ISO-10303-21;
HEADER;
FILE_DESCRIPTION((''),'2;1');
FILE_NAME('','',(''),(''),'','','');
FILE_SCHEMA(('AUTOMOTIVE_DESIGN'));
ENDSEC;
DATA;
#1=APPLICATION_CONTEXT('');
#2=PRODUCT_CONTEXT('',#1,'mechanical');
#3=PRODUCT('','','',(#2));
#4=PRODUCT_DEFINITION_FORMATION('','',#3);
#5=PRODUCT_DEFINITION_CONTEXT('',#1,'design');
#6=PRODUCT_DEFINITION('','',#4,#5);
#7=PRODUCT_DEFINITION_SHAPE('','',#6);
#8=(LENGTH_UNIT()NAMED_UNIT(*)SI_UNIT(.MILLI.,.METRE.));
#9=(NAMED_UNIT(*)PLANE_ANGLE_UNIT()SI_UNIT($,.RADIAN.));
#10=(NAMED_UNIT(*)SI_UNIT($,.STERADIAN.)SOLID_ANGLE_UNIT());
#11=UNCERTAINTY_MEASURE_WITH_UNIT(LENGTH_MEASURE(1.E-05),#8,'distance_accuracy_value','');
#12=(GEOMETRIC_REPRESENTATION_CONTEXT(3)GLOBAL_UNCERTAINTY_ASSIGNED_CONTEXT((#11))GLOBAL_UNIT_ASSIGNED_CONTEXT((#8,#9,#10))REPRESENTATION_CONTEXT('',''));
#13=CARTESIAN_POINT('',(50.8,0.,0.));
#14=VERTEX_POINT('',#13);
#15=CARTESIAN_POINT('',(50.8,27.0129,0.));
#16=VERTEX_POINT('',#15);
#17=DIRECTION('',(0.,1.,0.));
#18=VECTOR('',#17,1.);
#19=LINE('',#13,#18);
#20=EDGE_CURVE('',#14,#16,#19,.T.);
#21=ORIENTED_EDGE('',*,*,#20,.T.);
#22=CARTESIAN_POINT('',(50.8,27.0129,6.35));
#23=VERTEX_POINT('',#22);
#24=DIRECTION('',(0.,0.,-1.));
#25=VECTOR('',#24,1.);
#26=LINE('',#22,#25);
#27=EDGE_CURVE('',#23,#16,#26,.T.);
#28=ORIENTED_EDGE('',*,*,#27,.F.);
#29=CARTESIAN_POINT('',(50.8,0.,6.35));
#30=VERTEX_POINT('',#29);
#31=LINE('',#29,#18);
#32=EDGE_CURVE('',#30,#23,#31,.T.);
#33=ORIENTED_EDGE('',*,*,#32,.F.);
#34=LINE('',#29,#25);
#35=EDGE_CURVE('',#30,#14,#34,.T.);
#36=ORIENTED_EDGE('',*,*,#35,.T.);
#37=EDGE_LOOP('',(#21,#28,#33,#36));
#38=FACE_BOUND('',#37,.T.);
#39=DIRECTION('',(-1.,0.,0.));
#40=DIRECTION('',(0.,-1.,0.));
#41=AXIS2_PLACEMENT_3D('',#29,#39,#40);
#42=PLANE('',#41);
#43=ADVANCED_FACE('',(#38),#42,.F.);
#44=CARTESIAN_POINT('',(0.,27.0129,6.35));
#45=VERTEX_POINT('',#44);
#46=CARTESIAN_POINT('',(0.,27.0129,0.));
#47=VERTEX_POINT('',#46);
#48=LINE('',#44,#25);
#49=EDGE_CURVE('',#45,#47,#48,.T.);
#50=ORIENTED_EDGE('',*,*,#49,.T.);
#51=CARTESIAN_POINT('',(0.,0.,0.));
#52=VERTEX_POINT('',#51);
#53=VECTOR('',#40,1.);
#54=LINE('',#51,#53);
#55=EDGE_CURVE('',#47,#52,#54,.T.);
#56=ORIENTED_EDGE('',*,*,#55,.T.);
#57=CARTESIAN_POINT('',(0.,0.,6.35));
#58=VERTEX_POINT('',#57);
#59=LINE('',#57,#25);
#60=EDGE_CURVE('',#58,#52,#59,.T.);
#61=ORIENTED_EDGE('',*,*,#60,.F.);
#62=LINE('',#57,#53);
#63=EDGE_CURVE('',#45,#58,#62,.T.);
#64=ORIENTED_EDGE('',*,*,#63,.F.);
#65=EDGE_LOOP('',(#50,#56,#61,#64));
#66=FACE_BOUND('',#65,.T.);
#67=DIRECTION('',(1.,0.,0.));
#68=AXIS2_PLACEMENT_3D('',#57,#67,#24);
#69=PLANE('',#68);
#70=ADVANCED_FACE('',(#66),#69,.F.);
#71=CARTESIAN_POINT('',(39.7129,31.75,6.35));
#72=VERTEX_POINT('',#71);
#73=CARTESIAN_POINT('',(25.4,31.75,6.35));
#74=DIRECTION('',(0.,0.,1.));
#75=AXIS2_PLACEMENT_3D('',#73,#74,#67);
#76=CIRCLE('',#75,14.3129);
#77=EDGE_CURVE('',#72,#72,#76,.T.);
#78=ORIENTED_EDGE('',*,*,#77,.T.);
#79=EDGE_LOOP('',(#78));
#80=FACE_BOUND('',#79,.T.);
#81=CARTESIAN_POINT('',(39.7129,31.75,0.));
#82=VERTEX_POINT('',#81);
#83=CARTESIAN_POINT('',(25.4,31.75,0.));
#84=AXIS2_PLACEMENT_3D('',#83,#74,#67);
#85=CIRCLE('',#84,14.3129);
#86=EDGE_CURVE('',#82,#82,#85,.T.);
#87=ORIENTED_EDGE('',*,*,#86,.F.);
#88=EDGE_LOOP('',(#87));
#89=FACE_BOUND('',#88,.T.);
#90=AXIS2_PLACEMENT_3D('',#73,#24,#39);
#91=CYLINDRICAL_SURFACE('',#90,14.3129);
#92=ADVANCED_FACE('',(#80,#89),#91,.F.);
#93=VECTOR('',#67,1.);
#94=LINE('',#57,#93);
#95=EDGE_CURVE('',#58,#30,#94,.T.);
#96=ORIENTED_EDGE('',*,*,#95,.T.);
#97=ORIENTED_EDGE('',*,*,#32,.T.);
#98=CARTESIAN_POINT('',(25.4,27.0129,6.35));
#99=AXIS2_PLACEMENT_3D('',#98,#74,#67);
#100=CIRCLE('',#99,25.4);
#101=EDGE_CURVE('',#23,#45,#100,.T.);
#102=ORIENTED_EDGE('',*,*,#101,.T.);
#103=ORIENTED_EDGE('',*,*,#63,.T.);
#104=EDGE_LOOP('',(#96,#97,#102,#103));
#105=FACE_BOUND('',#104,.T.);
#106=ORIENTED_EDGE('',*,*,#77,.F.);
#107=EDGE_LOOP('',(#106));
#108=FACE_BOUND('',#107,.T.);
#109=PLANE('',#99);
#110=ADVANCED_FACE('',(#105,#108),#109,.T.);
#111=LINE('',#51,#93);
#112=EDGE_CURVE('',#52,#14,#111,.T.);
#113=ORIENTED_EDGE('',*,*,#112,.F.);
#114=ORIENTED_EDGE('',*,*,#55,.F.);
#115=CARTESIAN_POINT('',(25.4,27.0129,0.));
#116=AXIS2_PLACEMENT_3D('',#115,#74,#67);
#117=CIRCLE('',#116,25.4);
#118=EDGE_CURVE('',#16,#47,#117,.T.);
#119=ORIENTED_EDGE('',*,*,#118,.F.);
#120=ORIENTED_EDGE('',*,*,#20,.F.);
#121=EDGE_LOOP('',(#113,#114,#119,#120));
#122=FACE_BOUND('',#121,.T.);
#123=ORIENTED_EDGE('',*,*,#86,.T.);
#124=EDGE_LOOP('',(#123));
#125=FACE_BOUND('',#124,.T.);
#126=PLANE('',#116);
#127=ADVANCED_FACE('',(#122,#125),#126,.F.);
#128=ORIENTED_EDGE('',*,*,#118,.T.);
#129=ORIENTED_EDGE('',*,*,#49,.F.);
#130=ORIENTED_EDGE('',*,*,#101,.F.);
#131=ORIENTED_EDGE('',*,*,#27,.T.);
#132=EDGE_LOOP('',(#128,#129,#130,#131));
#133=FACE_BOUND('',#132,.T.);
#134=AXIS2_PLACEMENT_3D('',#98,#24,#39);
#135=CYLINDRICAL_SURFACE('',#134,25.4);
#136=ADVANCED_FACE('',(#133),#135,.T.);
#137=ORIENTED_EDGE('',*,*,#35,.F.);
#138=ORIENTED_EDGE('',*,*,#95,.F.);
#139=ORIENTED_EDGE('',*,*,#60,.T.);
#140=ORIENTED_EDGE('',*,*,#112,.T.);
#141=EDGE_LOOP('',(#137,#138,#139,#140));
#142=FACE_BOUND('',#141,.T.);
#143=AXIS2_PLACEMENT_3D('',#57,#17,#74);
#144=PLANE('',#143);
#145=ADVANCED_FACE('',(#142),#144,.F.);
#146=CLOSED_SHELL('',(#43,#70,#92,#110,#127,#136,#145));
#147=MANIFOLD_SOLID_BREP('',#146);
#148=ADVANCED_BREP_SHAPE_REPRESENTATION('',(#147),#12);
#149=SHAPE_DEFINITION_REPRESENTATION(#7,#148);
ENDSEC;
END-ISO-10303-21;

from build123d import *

# Parameters (mm, degrees)
SKETCH1_R           = 14.3129
BOSS_EXTRUDE1_DEPTH = 6.35


with BuildPart() as part:
    # Sketch1 → Boss-Extrude1 (new body)
    with BuildSketch(Plane.XY):
        with BuildLine():
            Line((0, 0), (50.8, 0))
            Line((50.8, 0), (50.8, 27.0129))
            ThreePointArc((50.8, 27.0129), (25.4, 52.4129), (0, 27.0129))
            Line((0, 27.0129), (0, 0))
        make_face()
        with Locations((25.4, 31.75)):
            Circle(SKETCH1_R, mode=Mode.SUBTRACT)
    extrude(amount=BOSS_EXTRUDE1_DEPTH)


solid = part.part
